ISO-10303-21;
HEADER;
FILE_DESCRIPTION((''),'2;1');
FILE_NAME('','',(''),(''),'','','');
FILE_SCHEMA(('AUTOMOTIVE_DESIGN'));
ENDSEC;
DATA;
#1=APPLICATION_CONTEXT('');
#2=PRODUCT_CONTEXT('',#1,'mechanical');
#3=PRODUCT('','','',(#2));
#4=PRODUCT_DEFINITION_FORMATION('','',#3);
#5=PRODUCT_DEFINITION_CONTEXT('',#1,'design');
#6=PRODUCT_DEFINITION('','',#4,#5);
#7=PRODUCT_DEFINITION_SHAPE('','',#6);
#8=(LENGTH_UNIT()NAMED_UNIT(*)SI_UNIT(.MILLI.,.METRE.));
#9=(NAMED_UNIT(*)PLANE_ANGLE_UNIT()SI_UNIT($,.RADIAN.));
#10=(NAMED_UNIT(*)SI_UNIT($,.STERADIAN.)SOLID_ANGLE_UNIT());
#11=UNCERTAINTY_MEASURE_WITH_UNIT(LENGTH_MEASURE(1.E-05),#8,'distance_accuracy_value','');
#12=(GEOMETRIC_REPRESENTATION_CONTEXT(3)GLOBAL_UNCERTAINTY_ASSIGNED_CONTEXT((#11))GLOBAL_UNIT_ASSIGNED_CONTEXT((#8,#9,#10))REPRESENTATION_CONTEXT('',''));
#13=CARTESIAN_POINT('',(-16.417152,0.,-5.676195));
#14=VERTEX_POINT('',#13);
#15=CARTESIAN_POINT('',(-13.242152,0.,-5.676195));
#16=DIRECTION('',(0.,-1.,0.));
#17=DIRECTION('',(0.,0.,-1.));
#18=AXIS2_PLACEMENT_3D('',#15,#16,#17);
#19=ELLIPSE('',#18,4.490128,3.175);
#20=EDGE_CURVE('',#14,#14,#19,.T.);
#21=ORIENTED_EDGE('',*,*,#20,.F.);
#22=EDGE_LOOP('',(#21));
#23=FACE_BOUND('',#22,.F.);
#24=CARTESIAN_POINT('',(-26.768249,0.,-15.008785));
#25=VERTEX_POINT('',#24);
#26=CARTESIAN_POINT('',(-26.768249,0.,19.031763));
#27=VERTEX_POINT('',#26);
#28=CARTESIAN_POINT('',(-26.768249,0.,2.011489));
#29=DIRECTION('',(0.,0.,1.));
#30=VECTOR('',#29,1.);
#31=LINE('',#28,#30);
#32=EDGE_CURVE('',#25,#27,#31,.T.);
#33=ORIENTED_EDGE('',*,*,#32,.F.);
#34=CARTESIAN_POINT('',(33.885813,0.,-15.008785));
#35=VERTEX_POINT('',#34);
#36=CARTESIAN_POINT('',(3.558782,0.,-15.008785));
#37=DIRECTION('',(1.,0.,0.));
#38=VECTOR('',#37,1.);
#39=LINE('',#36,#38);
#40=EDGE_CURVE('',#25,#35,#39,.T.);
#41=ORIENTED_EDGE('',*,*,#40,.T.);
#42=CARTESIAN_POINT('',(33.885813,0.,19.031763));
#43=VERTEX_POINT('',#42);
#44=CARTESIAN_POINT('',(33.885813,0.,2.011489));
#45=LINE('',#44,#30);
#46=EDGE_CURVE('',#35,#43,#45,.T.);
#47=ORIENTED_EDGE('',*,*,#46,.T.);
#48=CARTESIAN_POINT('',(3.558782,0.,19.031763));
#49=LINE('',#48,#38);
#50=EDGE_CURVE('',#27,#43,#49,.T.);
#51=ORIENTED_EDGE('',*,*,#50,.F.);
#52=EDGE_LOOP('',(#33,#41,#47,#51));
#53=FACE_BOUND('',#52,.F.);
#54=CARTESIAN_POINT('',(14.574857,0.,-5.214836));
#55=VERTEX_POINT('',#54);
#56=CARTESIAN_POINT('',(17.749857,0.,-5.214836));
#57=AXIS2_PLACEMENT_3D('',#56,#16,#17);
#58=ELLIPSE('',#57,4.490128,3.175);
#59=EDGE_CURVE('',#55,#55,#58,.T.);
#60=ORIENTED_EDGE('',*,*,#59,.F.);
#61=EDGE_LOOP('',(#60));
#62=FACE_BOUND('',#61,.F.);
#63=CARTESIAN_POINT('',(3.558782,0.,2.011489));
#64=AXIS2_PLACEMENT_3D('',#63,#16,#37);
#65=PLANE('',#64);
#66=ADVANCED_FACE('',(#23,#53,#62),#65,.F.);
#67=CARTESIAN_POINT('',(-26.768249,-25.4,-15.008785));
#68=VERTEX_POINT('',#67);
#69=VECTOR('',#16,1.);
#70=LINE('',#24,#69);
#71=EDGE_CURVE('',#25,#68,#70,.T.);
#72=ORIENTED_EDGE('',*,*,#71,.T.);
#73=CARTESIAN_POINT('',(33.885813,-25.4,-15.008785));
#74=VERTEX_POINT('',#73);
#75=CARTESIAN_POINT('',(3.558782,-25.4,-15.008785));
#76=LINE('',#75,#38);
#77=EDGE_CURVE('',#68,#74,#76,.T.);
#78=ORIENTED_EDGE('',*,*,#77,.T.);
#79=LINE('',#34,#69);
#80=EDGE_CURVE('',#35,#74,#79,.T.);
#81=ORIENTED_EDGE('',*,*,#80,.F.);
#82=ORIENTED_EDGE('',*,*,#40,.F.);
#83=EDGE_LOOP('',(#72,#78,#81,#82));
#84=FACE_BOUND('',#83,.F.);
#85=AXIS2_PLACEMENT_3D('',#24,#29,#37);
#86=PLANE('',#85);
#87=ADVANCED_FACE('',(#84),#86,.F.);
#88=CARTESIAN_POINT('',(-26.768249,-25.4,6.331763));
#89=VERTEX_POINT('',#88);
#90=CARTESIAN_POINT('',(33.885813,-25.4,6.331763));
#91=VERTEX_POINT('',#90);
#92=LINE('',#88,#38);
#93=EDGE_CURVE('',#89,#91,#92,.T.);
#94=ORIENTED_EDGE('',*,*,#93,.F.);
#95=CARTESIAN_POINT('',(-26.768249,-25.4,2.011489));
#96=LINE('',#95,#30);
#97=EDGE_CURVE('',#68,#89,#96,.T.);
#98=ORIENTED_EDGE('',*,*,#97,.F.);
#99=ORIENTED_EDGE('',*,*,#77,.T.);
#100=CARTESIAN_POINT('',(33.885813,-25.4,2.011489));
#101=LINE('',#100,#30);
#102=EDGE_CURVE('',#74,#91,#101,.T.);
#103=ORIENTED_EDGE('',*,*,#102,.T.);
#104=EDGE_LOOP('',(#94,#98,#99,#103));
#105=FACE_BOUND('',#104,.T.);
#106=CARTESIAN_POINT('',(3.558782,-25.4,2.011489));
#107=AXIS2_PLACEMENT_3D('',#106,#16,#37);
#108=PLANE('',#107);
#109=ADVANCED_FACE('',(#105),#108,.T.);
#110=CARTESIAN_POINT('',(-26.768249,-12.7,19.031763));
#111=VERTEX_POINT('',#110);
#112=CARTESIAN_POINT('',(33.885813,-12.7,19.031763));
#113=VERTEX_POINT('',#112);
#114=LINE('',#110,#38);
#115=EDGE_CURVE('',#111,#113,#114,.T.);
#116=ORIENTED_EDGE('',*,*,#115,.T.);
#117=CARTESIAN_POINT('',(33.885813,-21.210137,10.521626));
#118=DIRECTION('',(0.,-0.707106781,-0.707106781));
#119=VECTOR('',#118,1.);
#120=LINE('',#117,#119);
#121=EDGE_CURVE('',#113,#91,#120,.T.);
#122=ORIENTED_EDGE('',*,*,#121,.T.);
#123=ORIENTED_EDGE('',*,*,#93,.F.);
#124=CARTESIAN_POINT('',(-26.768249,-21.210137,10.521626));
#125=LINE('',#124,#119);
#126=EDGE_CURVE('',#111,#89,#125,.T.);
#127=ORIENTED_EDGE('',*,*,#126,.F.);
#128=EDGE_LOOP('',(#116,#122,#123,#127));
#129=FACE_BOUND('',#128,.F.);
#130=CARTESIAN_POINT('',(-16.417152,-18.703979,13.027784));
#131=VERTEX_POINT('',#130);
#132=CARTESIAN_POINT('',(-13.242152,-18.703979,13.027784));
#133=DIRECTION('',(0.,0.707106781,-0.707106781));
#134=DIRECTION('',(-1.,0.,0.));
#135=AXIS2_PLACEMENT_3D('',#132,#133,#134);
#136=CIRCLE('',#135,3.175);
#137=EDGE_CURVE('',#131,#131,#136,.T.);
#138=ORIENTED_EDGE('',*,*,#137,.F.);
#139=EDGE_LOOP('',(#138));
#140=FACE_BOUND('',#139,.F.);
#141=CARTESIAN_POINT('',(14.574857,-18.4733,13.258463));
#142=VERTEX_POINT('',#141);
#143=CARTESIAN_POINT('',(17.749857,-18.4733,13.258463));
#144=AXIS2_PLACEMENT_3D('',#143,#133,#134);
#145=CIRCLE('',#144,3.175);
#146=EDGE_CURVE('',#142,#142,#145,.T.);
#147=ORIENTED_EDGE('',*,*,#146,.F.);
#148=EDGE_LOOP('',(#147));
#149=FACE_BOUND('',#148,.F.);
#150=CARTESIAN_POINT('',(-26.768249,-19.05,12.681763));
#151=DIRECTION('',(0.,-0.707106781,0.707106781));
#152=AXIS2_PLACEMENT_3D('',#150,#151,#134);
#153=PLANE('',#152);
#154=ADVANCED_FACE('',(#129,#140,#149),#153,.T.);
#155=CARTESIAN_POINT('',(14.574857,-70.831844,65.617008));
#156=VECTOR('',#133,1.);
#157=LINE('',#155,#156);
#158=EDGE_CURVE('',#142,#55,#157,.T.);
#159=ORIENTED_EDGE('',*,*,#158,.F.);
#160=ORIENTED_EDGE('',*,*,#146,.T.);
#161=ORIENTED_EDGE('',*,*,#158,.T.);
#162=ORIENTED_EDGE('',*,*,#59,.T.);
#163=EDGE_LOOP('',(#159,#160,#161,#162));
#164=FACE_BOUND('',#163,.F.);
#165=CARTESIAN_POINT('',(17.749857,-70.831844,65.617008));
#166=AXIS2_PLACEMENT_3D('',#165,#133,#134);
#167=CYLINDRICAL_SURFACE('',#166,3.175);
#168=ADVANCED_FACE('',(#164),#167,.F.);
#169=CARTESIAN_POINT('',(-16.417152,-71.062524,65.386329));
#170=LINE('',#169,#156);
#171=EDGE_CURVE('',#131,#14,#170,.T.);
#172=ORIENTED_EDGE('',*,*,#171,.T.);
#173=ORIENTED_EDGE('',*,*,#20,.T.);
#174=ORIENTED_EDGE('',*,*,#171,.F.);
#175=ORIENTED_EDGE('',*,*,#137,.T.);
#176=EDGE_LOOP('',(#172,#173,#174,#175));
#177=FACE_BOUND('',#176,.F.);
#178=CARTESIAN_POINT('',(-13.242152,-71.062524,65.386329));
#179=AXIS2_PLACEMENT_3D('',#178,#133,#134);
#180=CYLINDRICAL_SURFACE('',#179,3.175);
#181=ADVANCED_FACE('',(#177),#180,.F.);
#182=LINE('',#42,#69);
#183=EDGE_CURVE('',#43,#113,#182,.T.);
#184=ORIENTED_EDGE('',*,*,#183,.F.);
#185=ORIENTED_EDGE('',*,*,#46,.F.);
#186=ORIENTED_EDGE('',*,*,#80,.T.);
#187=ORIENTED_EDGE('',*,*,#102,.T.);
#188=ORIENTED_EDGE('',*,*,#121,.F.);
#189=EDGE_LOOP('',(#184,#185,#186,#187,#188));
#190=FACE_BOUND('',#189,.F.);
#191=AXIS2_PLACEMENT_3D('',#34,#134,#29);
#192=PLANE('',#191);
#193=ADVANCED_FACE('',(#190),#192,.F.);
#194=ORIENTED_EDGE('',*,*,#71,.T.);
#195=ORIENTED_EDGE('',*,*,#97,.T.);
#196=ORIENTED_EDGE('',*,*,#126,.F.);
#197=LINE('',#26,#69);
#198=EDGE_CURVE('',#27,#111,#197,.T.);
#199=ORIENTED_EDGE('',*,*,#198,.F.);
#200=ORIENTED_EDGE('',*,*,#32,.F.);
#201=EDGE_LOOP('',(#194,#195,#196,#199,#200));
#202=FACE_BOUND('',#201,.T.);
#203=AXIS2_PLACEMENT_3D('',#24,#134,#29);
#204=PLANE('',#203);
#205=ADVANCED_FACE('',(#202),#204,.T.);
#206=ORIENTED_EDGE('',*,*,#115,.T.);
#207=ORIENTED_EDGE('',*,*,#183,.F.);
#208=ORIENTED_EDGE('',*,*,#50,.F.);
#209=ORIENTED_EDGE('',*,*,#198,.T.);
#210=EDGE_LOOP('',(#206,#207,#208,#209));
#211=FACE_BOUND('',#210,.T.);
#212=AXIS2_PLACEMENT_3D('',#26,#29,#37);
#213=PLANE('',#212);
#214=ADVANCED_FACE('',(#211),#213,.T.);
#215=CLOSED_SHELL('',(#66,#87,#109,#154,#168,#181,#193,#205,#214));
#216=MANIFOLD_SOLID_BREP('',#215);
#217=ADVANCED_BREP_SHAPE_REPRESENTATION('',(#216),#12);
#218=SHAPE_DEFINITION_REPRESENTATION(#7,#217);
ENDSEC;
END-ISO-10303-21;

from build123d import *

# Parameters (mm, degrees)
F0_W     = 60.654063
F0_H     = 34.040548
F1_DEPTH = 25.4
F2_SIZE  = 12.7
F4_D     = 6.35


with BuildPart() as f1:
    # F0 (on Front) → F1 (new body)
    with BuildSketch(Plane.XZ):
        with Locations((3.558782, 2.011489)):
            Rectangle(F0_W, F0_H)
    extrude(amount=F1_DEPTH)

    # F2
    f2_edges = [f1.edges().sort_by_distance(p)[0] for p in [
        (3.558783, -25.4, 19.031763),
    ]]
    chamfer(f2_edges, length=F2_SIZE)

    # F4 (through all)
    with Locations(Plane(origin=(0, -15.865882, 15.865882), x_dir=(1, 0, 0), z_dir=(0, -0.707107, 0.707107))):
        with Locations((-13.242152, -4.013676), (17.749857, -3.687446)):
            Hole(F4_D / 2)


solid = f1.part
